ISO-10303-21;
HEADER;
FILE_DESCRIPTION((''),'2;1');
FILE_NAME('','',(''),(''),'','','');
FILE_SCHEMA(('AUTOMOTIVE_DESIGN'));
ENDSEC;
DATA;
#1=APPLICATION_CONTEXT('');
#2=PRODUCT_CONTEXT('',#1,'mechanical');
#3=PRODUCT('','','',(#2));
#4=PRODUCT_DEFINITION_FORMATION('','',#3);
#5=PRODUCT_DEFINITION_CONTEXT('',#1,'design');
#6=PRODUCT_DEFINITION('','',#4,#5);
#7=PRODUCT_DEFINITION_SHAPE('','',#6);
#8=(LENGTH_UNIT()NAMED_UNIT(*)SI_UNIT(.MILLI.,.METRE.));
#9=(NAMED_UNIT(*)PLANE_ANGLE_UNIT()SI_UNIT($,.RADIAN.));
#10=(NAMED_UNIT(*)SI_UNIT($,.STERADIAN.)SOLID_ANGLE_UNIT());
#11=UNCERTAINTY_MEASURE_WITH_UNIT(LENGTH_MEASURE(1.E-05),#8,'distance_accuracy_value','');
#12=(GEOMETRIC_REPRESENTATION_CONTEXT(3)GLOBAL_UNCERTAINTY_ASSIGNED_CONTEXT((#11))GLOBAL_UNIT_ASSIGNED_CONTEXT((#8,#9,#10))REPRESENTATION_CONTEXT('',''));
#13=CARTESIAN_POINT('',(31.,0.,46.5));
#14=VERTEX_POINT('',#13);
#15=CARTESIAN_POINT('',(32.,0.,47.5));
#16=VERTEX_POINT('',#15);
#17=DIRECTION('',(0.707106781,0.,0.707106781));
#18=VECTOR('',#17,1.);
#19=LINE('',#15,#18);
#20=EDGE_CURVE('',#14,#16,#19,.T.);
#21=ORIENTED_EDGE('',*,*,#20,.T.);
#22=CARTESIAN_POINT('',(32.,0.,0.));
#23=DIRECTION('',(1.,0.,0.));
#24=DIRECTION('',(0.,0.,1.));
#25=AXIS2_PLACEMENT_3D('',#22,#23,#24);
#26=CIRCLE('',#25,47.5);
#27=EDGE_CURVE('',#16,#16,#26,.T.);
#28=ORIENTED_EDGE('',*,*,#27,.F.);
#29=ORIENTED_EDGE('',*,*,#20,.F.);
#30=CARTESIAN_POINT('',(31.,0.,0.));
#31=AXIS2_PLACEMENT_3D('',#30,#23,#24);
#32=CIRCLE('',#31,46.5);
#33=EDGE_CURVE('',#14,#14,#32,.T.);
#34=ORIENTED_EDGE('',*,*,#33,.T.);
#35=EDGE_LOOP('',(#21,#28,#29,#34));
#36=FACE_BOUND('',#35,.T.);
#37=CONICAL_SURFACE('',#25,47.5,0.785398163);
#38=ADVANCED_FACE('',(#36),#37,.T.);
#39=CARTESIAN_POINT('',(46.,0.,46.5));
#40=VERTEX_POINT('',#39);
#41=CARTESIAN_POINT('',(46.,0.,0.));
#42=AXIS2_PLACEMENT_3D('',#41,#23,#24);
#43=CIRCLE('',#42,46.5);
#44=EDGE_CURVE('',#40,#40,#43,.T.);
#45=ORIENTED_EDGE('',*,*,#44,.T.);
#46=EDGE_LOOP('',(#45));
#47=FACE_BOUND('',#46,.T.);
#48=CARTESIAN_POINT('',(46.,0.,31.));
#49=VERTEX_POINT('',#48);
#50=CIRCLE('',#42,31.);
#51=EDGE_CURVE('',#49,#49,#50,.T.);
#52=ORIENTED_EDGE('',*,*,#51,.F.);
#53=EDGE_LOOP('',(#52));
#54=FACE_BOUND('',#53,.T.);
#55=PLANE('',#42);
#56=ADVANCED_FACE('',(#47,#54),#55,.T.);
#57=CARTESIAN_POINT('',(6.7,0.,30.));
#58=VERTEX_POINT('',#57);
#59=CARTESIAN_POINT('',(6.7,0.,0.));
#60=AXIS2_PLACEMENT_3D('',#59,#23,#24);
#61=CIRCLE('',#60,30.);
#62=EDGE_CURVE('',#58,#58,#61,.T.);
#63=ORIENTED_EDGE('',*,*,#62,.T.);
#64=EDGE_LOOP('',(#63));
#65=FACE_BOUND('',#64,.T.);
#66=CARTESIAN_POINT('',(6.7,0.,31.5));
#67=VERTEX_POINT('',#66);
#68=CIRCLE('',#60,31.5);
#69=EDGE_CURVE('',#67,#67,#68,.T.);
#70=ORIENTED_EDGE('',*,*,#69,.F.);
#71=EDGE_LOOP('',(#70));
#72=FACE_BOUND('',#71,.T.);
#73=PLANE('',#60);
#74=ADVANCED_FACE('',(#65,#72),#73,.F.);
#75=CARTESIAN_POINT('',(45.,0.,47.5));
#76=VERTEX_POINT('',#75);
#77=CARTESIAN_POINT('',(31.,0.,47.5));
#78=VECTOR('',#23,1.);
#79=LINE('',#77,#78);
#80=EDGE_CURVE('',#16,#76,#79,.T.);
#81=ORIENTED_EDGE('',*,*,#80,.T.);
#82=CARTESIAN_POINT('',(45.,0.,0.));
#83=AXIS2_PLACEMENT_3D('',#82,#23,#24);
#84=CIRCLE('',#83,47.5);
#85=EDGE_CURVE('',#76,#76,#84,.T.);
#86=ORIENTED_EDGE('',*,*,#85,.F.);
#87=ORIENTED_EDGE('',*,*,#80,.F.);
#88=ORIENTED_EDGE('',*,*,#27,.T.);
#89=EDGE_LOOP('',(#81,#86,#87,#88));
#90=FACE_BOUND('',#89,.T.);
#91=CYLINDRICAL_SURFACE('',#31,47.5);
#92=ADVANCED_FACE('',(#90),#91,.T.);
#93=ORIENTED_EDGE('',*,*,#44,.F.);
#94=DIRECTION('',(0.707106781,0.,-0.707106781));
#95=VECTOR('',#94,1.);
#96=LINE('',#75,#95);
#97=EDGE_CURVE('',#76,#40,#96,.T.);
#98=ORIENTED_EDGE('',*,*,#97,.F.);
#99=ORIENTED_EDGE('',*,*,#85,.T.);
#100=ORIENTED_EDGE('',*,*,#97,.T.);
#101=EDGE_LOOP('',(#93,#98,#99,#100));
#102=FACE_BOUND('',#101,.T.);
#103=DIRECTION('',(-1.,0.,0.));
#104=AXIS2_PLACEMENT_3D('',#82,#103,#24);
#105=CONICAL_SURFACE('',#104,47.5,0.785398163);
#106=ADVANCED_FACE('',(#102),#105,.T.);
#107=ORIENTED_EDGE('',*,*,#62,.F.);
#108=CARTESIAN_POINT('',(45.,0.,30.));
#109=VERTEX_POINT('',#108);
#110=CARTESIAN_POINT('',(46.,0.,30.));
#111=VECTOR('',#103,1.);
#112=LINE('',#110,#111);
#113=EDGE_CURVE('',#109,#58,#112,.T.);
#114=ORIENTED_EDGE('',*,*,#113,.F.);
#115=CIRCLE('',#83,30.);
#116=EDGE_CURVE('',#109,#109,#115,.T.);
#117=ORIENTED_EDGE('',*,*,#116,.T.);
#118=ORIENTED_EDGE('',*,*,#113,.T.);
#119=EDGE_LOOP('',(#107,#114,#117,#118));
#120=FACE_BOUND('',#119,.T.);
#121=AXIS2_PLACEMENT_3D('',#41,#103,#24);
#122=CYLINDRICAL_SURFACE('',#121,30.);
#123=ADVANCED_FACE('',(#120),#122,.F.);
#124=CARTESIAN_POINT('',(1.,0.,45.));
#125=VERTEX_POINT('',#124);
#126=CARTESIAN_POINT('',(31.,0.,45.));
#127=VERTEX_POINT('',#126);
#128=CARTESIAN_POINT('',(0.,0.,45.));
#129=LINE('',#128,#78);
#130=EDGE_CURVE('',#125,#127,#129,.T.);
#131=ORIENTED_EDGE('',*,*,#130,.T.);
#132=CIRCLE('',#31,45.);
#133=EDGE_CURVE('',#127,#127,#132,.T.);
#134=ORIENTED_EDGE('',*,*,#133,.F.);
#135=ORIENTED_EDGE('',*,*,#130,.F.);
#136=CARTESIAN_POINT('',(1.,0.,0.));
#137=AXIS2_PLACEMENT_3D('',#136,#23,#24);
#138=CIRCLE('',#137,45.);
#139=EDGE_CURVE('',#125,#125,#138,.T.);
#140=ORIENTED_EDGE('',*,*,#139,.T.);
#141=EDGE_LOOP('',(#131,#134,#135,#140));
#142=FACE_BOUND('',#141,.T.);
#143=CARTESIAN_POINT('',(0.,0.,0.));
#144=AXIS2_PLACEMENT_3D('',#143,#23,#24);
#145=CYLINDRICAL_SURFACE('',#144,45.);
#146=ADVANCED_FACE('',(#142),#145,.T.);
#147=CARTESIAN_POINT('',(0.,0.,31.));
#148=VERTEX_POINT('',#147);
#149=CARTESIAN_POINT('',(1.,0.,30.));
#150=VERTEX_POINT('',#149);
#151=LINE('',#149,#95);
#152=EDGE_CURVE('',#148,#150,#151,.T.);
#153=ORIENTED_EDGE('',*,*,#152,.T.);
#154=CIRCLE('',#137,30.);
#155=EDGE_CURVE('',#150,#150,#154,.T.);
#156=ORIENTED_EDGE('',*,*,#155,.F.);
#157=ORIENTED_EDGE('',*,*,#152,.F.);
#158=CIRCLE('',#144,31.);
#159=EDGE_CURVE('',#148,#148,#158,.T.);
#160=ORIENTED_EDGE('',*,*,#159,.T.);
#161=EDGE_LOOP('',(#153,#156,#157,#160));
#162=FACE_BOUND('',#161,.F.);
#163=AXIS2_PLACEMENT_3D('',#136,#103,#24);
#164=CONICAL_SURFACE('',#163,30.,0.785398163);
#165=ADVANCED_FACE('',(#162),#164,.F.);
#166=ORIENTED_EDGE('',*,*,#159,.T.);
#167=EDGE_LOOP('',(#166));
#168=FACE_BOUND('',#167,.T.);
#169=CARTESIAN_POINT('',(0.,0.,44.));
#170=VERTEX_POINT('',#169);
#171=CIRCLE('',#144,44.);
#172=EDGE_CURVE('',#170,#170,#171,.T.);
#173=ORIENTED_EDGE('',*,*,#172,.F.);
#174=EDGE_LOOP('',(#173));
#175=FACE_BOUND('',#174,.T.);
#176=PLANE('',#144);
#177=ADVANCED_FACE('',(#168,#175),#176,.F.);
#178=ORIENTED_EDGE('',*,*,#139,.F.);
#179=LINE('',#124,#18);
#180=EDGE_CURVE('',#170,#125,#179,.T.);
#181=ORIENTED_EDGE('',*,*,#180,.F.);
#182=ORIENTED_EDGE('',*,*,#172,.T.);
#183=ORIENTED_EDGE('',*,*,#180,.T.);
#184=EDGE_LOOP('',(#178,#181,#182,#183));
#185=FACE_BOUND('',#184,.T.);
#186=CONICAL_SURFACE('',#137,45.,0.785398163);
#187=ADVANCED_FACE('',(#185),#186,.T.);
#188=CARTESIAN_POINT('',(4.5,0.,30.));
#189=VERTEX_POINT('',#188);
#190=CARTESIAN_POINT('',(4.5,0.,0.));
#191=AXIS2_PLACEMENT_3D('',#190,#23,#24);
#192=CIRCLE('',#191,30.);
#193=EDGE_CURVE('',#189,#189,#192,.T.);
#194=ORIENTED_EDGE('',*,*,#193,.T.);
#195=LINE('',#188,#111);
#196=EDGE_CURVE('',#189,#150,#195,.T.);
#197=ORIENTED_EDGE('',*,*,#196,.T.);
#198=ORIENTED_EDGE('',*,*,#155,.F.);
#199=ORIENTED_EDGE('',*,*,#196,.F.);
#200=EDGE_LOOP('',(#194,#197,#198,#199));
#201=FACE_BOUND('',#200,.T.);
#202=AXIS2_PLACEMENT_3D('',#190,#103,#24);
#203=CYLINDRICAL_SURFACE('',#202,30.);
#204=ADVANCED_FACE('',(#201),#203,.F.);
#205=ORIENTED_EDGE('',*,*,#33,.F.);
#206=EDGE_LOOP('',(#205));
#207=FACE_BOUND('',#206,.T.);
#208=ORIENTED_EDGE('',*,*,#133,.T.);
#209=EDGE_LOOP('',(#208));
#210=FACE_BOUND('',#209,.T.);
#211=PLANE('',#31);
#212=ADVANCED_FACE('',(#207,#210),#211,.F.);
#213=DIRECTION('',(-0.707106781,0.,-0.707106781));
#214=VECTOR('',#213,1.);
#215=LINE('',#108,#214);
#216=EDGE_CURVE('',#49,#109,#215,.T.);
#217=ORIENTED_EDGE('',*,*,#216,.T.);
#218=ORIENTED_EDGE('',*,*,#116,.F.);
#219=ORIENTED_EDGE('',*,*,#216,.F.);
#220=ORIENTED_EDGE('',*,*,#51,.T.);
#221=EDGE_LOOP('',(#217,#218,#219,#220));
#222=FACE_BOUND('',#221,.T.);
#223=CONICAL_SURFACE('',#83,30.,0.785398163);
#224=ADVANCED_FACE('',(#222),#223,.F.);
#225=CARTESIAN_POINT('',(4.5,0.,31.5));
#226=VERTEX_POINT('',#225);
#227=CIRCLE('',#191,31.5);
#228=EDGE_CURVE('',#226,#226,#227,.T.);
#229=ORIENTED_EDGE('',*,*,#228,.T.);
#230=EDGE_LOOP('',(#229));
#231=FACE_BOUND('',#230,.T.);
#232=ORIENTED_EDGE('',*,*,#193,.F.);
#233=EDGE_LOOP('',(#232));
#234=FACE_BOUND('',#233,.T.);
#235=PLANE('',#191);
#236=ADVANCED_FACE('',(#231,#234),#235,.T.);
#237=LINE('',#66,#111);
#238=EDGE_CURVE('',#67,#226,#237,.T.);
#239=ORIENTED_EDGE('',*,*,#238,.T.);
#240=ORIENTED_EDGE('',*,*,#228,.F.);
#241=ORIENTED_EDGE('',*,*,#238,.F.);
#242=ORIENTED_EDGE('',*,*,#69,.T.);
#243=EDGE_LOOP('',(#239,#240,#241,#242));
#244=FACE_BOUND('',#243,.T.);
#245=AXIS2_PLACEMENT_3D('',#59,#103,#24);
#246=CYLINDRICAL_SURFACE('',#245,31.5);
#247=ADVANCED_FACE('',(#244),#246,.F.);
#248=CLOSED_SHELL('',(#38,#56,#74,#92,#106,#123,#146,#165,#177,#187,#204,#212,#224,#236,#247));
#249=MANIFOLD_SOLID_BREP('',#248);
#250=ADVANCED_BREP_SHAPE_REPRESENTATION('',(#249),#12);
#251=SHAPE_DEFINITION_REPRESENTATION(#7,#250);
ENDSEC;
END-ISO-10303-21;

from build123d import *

# Parameters (mm, degrees)
CHAMFER_1_SIZE = 1


with BuildPart() as part:
    # 草图1 → 旋转1 (revolve)
    with BuildSketch(Plane.XY, mode=Mode.PRIVATE) as revolve_1_sk:
        Polygon((0, 30), (0, 45), (31, 45), (31, 47.5), (46, 47.5), (46, 30), (6.7, 30), (6.7, 31.5), (4.5, 31.5), (4.5, 30), align=None)
    revolve(revolve_1_sk.sketch.rotate(Axis((0, 0, 0), (1, 0, 0)), 90), axis=Axis((0, 0, 0), (1, 0, 0)))

    # 倒角1
    chamfer_1_edges = [part.edges().sort_by_distance(p)[0] for p in [
        (0, 0, -30),
        (0, 0, -45),
        (31, 0, -47.5),
        (46, 0, -47.5),
        (46, 0, -30),
    ]]
    chamfer(chamfer_1_edges, length=CHAMFER_1_SIZE)


solid = part.part
